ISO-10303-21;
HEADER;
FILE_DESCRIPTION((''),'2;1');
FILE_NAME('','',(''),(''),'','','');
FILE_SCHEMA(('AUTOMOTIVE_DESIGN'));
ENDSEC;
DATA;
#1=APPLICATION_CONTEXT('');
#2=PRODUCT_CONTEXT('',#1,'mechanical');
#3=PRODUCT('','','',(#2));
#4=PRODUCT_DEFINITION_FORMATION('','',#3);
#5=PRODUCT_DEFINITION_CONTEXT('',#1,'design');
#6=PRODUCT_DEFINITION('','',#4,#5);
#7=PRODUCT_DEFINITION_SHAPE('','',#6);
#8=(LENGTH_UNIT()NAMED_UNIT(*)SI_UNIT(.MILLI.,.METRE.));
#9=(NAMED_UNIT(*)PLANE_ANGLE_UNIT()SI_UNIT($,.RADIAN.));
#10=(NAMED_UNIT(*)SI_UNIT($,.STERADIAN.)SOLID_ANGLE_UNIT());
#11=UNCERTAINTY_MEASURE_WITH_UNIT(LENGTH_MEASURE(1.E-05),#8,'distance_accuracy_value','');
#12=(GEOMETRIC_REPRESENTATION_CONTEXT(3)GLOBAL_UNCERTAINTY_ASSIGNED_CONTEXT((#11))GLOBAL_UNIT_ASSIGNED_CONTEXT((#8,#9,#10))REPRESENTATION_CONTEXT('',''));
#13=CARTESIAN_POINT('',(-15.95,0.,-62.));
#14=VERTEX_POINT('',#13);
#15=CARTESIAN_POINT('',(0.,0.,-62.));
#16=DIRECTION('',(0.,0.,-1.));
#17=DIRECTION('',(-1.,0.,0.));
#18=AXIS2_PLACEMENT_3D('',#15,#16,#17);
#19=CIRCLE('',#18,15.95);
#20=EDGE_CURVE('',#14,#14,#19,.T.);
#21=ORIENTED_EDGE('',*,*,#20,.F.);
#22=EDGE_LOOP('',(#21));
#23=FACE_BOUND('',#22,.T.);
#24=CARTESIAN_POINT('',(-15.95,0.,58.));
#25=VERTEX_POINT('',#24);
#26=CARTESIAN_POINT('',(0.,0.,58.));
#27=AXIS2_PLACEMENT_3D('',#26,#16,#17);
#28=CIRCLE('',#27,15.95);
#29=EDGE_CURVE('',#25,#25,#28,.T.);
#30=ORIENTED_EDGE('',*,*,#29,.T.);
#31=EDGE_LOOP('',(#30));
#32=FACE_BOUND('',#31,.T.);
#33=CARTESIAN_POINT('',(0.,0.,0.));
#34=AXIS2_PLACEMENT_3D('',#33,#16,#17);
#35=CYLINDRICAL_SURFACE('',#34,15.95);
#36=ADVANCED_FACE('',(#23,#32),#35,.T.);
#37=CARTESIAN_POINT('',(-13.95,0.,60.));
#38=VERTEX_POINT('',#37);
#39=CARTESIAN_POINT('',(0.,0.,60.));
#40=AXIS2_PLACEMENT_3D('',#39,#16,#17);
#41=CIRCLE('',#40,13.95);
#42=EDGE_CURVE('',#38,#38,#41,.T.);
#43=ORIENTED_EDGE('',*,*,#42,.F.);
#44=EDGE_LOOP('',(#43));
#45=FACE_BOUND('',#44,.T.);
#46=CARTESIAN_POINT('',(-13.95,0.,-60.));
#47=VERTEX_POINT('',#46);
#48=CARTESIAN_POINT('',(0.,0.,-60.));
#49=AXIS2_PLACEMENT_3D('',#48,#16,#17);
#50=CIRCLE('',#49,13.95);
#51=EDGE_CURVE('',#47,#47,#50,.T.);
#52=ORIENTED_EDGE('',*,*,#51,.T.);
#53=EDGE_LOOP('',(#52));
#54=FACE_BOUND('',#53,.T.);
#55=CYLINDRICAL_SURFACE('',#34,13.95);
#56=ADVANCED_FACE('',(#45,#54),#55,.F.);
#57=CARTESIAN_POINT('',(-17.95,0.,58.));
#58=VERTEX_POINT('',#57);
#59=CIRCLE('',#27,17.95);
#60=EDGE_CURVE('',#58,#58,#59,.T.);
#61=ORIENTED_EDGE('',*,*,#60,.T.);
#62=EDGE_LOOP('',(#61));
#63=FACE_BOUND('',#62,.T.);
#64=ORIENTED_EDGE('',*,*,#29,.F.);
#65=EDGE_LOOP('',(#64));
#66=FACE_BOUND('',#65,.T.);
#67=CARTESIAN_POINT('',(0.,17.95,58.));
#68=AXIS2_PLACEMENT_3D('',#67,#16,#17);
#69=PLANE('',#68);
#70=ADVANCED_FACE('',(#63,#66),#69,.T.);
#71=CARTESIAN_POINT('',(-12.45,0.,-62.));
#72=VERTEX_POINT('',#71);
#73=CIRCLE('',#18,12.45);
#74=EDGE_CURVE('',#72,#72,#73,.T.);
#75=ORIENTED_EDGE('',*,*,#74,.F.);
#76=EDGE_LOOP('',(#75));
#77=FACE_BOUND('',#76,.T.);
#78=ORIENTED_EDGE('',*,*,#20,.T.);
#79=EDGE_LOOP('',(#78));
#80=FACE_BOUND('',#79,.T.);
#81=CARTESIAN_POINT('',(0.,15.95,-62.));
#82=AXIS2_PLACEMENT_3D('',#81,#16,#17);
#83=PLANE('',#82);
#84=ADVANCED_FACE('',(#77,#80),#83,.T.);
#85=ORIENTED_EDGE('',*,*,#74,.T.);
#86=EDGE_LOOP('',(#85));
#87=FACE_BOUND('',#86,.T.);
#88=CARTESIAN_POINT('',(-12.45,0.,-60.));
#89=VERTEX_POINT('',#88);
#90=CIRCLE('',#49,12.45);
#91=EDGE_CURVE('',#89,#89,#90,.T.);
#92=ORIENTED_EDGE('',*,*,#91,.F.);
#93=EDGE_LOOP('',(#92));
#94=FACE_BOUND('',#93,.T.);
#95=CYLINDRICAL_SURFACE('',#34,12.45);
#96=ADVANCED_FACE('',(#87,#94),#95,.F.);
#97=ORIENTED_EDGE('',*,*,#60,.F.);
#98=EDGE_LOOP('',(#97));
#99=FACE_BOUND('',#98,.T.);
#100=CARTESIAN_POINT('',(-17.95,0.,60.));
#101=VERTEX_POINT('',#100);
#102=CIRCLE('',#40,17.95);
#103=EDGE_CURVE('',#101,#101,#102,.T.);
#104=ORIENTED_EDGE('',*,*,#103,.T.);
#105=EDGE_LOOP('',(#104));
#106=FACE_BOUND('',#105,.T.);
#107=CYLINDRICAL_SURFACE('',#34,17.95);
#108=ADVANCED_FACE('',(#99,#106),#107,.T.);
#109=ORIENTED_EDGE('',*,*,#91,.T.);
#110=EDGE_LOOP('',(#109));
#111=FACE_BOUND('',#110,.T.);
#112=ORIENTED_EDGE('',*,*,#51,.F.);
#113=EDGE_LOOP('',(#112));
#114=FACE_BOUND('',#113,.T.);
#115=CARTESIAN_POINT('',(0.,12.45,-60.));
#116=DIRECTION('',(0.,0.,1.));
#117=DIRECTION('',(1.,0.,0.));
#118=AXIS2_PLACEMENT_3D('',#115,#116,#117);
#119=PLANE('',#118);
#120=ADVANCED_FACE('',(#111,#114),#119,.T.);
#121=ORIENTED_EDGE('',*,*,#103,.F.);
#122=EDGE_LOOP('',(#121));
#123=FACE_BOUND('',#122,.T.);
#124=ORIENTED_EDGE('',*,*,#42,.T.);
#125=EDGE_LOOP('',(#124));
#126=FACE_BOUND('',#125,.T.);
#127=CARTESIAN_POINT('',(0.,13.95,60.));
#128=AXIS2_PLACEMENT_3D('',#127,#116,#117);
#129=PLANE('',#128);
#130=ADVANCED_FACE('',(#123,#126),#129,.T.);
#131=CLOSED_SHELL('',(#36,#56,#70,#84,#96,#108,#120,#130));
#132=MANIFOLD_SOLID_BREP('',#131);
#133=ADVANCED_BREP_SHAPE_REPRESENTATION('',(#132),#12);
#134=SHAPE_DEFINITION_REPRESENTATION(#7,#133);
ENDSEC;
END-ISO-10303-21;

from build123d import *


with BuildPart() as part:
    # Croquis1 → Revolución1 (revolve)
    with BuildSketch(Plane.YZ, mode=Mode.PRIVATE) as revoluci_n1_sk:
        Polygon((13.95, -60), (13.95, 60), (17.95, 60), (17.95, 58), (15.95, 58), (15.95, -62), (12.45, -62), (12.45, -60), align=None)
    revolve(revoluci_n1_sk.sketch.rotate(Axis((0, 0, 0), (0, 0, 1)), 90), axis=Axis((0, 0, 0), (0, 0, 1)))


solid = part.part
